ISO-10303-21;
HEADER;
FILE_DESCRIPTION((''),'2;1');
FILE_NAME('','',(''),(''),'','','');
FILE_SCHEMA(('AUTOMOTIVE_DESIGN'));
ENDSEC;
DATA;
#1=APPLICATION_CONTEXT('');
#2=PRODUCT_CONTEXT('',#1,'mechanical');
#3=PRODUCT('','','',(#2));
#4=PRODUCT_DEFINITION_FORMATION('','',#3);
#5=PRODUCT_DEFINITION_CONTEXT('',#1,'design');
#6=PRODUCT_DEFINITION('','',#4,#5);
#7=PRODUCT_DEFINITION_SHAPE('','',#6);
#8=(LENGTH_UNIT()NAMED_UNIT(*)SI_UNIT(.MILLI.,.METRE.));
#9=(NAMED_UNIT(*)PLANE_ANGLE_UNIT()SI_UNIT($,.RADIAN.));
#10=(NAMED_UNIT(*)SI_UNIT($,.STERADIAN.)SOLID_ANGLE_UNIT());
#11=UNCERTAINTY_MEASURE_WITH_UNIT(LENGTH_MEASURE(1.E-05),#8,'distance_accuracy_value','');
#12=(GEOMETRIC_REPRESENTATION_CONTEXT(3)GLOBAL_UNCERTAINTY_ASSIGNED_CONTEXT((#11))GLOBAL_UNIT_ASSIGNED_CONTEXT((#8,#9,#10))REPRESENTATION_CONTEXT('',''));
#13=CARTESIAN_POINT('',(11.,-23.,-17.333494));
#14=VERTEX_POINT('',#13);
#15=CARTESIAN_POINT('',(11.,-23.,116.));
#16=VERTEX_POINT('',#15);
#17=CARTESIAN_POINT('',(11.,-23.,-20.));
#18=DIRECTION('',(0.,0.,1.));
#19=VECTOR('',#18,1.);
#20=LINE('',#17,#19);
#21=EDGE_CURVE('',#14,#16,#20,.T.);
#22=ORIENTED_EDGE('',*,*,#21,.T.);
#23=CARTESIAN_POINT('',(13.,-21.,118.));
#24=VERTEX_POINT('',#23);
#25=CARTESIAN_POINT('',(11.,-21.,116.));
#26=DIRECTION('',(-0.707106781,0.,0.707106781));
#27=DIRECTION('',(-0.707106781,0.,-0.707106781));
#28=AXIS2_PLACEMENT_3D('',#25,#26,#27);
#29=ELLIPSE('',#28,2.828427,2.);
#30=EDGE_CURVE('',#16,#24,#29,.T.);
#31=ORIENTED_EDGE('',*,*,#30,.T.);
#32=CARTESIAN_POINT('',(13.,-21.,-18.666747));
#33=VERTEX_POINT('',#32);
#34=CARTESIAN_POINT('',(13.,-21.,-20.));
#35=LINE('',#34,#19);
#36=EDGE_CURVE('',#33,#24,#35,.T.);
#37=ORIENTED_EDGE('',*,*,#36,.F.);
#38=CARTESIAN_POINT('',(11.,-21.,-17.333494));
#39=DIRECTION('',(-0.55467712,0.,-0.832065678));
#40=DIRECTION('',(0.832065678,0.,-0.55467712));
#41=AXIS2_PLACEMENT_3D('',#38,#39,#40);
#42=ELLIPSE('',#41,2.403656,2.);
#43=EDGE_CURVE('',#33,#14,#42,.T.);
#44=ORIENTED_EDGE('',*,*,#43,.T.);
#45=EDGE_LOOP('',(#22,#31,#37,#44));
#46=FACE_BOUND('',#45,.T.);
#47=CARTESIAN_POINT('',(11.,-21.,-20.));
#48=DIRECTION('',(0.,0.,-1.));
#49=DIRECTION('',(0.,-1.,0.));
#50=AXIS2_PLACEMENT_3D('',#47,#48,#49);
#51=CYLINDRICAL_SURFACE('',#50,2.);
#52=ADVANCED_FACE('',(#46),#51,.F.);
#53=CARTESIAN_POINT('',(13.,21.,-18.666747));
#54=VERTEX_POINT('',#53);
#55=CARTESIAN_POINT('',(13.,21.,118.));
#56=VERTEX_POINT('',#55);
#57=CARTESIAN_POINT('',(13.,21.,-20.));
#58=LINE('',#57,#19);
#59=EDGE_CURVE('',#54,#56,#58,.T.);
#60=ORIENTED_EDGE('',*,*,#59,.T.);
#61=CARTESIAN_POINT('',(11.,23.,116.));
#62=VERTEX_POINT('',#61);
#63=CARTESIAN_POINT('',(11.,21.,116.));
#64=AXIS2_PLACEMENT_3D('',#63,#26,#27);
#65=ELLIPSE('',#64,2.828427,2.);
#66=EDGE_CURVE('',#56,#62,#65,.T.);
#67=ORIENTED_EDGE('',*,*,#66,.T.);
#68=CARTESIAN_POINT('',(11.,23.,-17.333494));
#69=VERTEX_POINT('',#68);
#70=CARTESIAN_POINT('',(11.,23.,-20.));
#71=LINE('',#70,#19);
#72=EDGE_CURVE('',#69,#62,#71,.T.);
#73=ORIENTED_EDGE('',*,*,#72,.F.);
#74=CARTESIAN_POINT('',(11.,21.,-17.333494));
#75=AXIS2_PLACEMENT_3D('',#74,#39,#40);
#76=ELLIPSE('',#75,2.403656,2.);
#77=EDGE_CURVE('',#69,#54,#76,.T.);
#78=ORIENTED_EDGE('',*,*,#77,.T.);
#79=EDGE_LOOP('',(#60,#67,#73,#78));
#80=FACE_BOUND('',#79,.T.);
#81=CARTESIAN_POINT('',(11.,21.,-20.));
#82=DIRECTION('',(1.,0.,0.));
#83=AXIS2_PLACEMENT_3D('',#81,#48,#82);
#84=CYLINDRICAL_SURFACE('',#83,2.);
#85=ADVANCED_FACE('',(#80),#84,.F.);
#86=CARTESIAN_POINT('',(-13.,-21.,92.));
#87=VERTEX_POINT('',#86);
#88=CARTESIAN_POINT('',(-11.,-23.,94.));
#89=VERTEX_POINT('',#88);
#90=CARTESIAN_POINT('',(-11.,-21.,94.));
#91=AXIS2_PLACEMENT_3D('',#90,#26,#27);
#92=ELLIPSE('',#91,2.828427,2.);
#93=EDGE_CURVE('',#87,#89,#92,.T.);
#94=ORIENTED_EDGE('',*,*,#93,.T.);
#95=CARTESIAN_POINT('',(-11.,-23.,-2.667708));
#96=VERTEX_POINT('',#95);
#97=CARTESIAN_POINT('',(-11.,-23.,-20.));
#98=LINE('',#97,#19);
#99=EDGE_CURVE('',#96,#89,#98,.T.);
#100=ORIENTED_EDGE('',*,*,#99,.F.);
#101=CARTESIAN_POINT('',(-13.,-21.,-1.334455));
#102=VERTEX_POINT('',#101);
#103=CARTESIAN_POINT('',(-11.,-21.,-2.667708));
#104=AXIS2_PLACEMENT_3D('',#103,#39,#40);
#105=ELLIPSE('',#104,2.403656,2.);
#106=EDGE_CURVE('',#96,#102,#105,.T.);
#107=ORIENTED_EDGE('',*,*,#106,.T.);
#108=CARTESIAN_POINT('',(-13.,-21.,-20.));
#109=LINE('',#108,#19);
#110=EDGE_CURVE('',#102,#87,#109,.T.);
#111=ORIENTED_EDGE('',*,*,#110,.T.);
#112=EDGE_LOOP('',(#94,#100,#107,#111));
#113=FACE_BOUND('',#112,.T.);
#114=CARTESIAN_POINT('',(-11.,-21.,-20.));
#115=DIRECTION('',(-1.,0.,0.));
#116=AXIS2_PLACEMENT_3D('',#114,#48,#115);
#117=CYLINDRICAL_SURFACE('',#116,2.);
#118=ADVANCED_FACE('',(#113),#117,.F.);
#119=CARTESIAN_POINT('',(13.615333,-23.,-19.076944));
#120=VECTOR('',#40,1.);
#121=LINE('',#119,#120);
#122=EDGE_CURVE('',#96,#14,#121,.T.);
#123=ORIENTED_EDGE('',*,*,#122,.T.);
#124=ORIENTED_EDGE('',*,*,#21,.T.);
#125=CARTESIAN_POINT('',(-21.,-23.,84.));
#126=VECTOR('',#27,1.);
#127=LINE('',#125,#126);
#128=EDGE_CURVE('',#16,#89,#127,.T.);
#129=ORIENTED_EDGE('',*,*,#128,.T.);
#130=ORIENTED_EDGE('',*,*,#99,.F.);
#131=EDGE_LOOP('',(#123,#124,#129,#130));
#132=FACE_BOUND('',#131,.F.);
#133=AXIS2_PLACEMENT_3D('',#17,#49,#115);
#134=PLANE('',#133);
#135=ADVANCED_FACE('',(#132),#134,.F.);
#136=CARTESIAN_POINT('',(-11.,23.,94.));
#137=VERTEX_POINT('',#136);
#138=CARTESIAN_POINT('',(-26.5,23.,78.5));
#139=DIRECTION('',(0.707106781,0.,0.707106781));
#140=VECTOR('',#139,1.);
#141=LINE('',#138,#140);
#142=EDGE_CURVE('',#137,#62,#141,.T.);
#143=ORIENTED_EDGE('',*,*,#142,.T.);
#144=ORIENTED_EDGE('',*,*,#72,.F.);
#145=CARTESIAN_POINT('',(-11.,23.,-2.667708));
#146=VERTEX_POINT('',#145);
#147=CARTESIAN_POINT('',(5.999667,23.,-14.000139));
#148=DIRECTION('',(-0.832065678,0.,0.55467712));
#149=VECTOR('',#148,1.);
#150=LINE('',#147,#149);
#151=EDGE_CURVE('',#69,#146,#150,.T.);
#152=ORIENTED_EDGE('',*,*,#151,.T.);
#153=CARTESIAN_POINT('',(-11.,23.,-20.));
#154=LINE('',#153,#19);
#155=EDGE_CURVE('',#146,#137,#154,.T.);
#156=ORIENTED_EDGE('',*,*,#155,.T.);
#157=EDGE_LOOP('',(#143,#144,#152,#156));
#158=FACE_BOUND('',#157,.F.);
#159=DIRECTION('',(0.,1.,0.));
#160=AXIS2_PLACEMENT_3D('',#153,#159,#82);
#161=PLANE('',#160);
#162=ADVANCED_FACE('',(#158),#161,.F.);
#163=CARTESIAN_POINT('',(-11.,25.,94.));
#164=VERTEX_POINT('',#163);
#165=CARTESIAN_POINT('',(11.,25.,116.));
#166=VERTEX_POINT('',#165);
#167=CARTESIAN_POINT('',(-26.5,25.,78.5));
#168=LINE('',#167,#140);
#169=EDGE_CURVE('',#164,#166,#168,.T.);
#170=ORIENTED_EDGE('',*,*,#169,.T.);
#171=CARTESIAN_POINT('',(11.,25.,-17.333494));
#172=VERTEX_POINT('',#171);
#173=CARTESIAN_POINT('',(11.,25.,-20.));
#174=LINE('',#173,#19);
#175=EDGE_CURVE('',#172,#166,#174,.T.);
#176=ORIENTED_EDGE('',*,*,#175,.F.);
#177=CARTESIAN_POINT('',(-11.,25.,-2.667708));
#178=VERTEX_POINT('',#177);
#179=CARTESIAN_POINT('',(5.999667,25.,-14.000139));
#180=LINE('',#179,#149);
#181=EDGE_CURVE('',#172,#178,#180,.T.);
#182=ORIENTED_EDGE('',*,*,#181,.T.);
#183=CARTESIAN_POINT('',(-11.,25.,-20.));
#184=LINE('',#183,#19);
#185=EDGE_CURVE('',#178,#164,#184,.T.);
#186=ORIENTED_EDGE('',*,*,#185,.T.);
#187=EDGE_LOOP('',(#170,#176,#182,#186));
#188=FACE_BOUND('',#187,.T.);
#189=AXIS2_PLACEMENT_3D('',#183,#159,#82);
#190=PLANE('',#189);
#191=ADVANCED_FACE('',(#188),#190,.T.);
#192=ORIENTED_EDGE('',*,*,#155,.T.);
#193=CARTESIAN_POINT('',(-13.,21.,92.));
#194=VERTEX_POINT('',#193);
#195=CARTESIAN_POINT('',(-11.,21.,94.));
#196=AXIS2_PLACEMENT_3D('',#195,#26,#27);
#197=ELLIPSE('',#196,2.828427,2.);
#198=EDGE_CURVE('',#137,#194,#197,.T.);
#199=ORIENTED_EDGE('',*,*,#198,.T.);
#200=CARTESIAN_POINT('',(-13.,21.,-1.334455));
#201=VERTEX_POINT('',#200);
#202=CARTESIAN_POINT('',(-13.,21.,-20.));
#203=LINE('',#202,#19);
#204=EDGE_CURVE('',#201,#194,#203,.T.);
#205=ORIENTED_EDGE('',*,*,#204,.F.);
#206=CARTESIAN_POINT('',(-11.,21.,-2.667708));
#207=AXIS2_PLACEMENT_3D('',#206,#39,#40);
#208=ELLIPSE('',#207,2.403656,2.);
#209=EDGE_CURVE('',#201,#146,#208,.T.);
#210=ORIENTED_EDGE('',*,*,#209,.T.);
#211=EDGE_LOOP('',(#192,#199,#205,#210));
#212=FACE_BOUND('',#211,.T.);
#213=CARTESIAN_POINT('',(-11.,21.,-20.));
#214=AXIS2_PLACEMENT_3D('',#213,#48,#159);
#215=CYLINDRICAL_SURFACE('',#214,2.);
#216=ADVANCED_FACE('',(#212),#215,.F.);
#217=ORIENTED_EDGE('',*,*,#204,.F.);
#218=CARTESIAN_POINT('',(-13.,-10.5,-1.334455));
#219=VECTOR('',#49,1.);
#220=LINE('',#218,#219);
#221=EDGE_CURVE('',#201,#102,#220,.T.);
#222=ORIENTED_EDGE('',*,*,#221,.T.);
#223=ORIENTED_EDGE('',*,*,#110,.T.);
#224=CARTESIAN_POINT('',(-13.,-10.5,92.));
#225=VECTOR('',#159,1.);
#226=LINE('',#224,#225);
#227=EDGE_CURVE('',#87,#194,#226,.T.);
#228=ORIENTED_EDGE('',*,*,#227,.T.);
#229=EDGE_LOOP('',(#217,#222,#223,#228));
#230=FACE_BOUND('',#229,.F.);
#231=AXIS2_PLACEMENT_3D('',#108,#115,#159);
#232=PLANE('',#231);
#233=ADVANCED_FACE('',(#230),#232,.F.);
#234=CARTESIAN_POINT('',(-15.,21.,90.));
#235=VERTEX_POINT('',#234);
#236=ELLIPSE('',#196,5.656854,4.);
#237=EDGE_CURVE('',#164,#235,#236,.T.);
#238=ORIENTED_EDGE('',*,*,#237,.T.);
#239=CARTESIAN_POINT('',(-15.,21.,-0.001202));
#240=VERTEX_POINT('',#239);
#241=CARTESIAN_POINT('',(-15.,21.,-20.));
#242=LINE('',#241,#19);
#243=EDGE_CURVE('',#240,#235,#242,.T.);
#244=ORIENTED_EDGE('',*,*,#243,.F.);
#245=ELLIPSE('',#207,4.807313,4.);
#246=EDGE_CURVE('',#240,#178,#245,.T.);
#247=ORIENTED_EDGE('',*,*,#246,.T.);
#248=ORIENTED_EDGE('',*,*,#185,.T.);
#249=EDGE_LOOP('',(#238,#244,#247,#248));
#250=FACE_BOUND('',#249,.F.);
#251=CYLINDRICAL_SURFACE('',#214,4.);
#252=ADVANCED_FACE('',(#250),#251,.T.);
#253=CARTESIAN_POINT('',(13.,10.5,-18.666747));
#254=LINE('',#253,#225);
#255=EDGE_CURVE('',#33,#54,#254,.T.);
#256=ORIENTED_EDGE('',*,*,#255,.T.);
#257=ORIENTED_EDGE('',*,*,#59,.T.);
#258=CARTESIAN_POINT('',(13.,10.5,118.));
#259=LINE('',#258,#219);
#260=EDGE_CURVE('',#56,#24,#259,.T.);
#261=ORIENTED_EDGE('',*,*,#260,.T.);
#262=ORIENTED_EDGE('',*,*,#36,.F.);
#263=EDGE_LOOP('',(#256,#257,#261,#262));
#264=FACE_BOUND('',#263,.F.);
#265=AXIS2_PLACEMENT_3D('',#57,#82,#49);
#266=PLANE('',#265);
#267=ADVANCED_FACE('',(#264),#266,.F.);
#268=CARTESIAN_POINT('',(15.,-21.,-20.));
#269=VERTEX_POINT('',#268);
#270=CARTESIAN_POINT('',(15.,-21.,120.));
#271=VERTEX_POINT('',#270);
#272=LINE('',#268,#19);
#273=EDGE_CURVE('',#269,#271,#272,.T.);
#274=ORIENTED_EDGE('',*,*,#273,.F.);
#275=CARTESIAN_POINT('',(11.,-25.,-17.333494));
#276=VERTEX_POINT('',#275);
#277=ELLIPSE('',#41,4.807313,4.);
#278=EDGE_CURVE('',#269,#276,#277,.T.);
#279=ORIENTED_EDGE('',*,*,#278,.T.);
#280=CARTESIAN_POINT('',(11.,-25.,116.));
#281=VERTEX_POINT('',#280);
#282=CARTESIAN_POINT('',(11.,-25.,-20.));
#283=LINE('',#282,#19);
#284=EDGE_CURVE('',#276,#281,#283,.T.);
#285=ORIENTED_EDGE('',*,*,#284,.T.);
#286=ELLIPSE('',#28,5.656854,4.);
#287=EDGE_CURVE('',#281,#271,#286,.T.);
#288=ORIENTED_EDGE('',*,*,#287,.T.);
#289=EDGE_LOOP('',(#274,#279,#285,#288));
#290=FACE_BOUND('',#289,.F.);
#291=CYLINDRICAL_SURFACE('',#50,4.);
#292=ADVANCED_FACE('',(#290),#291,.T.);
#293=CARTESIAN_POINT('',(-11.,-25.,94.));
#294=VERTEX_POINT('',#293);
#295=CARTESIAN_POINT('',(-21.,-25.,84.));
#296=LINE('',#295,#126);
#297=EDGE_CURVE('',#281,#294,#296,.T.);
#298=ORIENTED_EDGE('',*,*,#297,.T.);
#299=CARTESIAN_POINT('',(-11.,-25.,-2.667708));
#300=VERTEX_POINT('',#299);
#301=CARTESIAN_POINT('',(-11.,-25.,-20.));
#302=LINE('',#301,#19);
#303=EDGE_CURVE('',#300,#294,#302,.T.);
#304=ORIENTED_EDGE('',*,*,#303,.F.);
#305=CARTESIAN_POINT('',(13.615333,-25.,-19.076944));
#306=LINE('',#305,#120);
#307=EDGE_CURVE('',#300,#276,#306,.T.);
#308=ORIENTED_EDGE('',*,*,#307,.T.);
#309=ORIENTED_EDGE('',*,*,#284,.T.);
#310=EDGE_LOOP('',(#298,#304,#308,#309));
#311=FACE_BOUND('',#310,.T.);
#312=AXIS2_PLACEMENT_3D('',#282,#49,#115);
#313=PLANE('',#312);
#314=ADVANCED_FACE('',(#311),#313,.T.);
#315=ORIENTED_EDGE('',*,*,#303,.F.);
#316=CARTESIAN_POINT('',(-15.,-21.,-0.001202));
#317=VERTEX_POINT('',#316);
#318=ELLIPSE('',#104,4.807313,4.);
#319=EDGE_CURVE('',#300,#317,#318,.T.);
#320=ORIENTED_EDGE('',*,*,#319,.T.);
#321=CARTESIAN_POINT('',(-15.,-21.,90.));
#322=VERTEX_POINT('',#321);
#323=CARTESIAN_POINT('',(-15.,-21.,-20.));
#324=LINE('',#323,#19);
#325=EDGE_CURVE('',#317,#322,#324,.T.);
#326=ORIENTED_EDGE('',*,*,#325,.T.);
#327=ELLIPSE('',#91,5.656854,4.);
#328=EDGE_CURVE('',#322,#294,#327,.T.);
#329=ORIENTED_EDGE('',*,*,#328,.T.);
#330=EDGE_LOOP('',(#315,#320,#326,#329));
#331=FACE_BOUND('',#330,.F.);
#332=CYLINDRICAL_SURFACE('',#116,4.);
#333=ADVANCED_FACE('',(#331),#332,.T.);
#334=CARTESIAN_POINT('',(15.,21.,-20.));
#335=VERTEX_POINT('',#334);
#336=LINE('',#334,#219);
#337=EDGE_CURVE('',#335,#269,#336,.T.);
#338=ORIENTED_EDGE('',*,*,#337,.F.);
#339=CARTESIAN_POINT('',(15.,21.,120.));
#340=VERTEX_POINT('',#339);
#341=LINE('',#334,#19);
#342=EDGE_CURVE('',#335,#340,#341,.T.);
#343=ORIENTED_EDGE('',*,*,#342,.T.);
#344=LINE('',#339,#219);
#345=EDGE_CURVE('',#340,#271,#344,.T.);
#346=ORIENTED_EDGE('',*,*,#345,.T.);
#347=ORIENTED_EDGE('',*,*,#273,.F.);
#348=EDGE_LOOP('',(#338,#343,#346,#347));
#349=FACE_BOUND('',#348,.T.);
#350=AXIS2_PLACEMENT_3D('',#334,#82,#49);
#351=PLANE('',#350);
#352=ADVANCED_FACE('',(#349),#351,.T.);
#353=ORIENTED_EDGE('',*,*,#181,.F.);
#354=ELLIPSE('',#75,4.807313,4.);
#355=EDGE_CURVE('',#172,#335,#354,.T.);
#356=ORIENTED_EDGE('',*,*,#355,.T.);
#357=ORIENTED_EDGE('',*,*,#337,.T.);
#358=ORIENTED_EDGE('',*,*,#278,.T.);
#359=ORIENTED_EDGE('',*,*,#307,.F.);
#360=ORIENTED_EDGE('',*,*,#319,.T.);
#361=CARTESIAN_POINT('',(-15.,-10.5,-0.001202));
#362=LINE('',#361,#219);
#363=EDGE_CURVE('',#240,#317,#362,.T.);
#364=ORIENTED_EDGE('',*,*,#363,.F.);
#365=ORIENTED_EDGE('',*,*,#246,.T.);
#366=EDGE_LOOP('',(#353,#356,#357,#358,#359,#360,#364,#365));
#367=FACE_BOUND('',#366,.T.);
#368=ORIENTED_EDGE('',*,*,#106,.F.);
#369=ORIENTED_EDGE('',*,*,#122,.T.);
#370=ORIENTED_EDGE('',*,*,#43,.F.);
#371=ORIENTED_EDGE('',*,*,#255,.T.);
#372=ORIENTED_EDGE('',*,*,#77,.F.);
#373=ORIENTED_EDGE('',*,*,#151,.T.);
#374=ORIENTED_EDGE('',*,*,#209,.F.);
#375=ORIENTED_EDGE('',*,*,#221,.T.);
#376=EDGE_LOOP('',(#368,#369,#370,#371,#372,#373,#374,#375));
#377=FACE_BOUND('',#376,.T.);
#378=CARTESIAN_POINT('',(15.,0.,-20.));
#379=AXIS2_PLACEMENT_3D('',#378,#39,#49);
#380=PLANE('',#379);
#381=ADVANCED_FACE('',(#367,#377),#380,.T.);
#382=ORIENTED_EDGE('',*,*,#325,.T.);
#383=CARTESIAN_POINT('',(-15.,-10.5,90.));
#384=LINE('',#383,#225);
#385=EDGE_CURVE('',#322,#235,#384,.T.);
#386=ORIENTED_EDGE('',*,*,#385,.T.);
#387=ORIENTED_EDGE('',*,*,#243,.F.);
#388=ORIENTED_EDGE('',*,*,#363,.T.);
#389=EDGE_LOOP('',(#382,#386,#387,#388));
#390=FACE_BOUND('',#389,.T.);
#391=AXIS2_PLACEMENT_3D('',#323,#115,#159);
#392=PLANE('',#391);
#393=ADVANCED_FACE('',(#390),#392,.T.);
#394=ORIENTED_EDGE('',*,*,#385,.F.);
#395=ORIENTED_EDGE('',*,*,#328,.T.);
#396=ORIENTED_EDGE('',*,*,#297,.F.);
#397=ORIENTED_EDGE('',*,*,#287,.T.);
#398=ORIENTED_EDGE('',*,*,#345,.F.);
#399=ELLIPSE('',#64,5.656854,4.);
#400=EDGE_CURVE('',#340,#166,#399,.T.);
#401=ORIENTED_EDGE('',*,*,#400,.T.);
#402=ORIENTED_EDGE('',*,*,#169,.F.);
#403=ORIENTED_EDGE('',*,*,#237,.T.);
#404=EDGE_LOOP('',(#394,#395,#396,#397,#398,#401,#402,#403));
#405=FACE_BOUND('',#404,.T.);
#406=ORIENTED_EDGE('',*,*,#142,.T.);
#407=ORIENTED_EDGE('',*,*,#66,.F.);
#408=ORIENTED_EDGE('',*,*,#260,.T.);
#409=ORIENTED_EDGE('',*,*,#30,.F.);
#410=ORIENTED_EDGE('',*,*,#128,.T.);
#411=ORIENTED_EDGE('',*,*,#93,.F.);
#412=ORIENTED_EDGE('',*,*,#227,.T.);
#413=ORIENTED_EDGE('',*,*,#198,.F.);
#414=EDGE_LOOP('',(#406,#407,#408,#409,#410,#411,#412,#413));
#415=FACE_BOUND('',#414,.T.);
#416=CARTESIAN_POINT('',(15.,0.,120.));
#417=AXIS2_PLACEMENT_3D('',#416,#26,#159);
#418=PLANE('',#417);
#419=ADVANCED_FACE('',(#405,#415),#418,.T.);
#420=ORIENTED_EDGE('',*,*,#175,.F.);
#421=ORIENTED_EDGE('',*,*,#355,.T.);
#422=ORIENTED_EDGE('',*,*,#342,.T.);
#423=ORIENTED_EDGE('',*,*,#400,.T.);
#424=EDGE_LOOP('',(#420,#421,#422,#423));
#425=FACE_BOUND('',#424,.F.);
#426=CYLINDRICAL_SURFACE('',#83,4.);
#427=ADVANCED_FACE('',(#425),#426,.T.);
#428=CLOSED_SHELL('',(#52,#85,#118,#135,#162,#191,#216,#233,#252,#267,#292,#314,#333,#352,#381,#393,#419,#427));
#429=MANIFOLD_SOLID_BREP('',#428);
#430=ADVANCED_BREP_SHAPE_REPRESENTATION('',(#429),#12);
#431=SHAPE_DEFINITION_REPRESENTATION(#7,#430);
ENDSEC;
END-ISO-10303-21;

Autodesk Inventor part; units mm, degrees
ref_plane "Plano inicial" through (0, 0, -20) normal (0, 0, 1) x (1, 0, 0)
ref_plane "Plano final" through (0, 0, 120) normal (0, 0, 1) x (1, 0, 0)
sketch "Esboço" plane through (0, 0, 0) normal (0, 0, 1) x (1, 0, 0)
  line L0 (-15, -21) -> (-15, 21)
  line L1 (-11, 25) -> (11, 25)
  line L2 (15, 21) -> (15, -21)
  line L3 (11, -25) -> (-11, -25)
  arc A0 (-15, -21) -> (-11, -25) centre (-11, -21) ccw
  arc A1 (15, 21) -> (11, 25) centre (11, 21) ccw
  arc A2 (-11, 25) -> (-15, 21) centre (-11, 21) ccw
  arc A3 (11, -25) -> (15, -21) centre (11, -21) ccw
  arc A4 (-11, 23) -> (-13, 21) centre (-11, 21) ccw
  line L4 (-11, 23) -> (11, 23)
  arc A5 (13, 21) -> (11, 23) centre (11, 21) ccw
  line L5 (13, 21) -> (13, -21)
  arc A6 (11, -23) -> (13, -21) centre (11, -21) ccw
  line L6 (11, -23) -> (-11, -23)
  arc A7 (-13, -21) -> (-11, -23) centre (-11, -21) ccw
  line L7 (-13, -21) -> (-13, 21)
  line L8 (0, 36.1598) -> (0, -36.1598) construction
  line L9 (-22.1598, 0) -> (22.1598, 0) construction
  dimension "d7" = 4
  dimension "d9" = 30
  dimension "d11" = 50
  dimension "d12" = 2
  dimension "d15" = 15
  dimension "d16" = 25
extrude "Corpo" add sketch "Esboço" along normal up to surface (140 mm away) from surface at -20
sketch "Sketch3" plane through (0, 0, 0) normal (0, 0, 1) x (1, 0, 0)
  line L0 (0, 0) -> (10, 0)
ref_plane "Work Plane3" through (0, 0, 0) normal (0, -1, 0) x (1, 0, 0)
sketch "Sketch4" plane through (0, 0, 0) normal (0, -1, 0) x (1, 0, 0)
  line L0 (-2, -20) -> (12, -20)
  line L1 (-2, 120) -> (12, 120)
  dimension "d18" = 140
ref_plane "Plano de trabalho5" through (15, 0, 120) normal (-0.7071, 0, 0.7071) x (0.7071, 0, 0.7071)
split "Dividir2" plane through (15, 0, 120) removes the side toward (-0.7071, 0, 0.7071)
ref_plane "Plano de trabalho6" through (15, 0, -20) normal (-0.5547, 0, -0.8321) x (-0.8321, 0, 0.5547)
split "Dividir3" plane through (15, 0, -20) removes the side toward (-0.5547, 0, -0.8321)
equation "\"d7\" = G_IR"
equation "\"d9\" = G_W"
equation "\"d11\" = G_H"
equation "\"d12\" = G_T"
equation "\"d15\" = 0.5 * d9"
equation "\"d16\" = 0.5 * d11"
equation "\"d3\" = G_L"
equation "\"G_W\" = 30"
equation "\"G_H\" = 50"
equation "\"G_T\" = 2"
equation "\"G_IR\" = 4"
equation "\"G_L\" = d18"
equation "\"G_OFFSET_END\" = 30"
equation "\"d14\" = G_OFFSET_END + B_L"
equation "\"B_L\" = 90"
properties part number "ISO 4019 - 50x30x2 - 140" material "Aço, suave"
